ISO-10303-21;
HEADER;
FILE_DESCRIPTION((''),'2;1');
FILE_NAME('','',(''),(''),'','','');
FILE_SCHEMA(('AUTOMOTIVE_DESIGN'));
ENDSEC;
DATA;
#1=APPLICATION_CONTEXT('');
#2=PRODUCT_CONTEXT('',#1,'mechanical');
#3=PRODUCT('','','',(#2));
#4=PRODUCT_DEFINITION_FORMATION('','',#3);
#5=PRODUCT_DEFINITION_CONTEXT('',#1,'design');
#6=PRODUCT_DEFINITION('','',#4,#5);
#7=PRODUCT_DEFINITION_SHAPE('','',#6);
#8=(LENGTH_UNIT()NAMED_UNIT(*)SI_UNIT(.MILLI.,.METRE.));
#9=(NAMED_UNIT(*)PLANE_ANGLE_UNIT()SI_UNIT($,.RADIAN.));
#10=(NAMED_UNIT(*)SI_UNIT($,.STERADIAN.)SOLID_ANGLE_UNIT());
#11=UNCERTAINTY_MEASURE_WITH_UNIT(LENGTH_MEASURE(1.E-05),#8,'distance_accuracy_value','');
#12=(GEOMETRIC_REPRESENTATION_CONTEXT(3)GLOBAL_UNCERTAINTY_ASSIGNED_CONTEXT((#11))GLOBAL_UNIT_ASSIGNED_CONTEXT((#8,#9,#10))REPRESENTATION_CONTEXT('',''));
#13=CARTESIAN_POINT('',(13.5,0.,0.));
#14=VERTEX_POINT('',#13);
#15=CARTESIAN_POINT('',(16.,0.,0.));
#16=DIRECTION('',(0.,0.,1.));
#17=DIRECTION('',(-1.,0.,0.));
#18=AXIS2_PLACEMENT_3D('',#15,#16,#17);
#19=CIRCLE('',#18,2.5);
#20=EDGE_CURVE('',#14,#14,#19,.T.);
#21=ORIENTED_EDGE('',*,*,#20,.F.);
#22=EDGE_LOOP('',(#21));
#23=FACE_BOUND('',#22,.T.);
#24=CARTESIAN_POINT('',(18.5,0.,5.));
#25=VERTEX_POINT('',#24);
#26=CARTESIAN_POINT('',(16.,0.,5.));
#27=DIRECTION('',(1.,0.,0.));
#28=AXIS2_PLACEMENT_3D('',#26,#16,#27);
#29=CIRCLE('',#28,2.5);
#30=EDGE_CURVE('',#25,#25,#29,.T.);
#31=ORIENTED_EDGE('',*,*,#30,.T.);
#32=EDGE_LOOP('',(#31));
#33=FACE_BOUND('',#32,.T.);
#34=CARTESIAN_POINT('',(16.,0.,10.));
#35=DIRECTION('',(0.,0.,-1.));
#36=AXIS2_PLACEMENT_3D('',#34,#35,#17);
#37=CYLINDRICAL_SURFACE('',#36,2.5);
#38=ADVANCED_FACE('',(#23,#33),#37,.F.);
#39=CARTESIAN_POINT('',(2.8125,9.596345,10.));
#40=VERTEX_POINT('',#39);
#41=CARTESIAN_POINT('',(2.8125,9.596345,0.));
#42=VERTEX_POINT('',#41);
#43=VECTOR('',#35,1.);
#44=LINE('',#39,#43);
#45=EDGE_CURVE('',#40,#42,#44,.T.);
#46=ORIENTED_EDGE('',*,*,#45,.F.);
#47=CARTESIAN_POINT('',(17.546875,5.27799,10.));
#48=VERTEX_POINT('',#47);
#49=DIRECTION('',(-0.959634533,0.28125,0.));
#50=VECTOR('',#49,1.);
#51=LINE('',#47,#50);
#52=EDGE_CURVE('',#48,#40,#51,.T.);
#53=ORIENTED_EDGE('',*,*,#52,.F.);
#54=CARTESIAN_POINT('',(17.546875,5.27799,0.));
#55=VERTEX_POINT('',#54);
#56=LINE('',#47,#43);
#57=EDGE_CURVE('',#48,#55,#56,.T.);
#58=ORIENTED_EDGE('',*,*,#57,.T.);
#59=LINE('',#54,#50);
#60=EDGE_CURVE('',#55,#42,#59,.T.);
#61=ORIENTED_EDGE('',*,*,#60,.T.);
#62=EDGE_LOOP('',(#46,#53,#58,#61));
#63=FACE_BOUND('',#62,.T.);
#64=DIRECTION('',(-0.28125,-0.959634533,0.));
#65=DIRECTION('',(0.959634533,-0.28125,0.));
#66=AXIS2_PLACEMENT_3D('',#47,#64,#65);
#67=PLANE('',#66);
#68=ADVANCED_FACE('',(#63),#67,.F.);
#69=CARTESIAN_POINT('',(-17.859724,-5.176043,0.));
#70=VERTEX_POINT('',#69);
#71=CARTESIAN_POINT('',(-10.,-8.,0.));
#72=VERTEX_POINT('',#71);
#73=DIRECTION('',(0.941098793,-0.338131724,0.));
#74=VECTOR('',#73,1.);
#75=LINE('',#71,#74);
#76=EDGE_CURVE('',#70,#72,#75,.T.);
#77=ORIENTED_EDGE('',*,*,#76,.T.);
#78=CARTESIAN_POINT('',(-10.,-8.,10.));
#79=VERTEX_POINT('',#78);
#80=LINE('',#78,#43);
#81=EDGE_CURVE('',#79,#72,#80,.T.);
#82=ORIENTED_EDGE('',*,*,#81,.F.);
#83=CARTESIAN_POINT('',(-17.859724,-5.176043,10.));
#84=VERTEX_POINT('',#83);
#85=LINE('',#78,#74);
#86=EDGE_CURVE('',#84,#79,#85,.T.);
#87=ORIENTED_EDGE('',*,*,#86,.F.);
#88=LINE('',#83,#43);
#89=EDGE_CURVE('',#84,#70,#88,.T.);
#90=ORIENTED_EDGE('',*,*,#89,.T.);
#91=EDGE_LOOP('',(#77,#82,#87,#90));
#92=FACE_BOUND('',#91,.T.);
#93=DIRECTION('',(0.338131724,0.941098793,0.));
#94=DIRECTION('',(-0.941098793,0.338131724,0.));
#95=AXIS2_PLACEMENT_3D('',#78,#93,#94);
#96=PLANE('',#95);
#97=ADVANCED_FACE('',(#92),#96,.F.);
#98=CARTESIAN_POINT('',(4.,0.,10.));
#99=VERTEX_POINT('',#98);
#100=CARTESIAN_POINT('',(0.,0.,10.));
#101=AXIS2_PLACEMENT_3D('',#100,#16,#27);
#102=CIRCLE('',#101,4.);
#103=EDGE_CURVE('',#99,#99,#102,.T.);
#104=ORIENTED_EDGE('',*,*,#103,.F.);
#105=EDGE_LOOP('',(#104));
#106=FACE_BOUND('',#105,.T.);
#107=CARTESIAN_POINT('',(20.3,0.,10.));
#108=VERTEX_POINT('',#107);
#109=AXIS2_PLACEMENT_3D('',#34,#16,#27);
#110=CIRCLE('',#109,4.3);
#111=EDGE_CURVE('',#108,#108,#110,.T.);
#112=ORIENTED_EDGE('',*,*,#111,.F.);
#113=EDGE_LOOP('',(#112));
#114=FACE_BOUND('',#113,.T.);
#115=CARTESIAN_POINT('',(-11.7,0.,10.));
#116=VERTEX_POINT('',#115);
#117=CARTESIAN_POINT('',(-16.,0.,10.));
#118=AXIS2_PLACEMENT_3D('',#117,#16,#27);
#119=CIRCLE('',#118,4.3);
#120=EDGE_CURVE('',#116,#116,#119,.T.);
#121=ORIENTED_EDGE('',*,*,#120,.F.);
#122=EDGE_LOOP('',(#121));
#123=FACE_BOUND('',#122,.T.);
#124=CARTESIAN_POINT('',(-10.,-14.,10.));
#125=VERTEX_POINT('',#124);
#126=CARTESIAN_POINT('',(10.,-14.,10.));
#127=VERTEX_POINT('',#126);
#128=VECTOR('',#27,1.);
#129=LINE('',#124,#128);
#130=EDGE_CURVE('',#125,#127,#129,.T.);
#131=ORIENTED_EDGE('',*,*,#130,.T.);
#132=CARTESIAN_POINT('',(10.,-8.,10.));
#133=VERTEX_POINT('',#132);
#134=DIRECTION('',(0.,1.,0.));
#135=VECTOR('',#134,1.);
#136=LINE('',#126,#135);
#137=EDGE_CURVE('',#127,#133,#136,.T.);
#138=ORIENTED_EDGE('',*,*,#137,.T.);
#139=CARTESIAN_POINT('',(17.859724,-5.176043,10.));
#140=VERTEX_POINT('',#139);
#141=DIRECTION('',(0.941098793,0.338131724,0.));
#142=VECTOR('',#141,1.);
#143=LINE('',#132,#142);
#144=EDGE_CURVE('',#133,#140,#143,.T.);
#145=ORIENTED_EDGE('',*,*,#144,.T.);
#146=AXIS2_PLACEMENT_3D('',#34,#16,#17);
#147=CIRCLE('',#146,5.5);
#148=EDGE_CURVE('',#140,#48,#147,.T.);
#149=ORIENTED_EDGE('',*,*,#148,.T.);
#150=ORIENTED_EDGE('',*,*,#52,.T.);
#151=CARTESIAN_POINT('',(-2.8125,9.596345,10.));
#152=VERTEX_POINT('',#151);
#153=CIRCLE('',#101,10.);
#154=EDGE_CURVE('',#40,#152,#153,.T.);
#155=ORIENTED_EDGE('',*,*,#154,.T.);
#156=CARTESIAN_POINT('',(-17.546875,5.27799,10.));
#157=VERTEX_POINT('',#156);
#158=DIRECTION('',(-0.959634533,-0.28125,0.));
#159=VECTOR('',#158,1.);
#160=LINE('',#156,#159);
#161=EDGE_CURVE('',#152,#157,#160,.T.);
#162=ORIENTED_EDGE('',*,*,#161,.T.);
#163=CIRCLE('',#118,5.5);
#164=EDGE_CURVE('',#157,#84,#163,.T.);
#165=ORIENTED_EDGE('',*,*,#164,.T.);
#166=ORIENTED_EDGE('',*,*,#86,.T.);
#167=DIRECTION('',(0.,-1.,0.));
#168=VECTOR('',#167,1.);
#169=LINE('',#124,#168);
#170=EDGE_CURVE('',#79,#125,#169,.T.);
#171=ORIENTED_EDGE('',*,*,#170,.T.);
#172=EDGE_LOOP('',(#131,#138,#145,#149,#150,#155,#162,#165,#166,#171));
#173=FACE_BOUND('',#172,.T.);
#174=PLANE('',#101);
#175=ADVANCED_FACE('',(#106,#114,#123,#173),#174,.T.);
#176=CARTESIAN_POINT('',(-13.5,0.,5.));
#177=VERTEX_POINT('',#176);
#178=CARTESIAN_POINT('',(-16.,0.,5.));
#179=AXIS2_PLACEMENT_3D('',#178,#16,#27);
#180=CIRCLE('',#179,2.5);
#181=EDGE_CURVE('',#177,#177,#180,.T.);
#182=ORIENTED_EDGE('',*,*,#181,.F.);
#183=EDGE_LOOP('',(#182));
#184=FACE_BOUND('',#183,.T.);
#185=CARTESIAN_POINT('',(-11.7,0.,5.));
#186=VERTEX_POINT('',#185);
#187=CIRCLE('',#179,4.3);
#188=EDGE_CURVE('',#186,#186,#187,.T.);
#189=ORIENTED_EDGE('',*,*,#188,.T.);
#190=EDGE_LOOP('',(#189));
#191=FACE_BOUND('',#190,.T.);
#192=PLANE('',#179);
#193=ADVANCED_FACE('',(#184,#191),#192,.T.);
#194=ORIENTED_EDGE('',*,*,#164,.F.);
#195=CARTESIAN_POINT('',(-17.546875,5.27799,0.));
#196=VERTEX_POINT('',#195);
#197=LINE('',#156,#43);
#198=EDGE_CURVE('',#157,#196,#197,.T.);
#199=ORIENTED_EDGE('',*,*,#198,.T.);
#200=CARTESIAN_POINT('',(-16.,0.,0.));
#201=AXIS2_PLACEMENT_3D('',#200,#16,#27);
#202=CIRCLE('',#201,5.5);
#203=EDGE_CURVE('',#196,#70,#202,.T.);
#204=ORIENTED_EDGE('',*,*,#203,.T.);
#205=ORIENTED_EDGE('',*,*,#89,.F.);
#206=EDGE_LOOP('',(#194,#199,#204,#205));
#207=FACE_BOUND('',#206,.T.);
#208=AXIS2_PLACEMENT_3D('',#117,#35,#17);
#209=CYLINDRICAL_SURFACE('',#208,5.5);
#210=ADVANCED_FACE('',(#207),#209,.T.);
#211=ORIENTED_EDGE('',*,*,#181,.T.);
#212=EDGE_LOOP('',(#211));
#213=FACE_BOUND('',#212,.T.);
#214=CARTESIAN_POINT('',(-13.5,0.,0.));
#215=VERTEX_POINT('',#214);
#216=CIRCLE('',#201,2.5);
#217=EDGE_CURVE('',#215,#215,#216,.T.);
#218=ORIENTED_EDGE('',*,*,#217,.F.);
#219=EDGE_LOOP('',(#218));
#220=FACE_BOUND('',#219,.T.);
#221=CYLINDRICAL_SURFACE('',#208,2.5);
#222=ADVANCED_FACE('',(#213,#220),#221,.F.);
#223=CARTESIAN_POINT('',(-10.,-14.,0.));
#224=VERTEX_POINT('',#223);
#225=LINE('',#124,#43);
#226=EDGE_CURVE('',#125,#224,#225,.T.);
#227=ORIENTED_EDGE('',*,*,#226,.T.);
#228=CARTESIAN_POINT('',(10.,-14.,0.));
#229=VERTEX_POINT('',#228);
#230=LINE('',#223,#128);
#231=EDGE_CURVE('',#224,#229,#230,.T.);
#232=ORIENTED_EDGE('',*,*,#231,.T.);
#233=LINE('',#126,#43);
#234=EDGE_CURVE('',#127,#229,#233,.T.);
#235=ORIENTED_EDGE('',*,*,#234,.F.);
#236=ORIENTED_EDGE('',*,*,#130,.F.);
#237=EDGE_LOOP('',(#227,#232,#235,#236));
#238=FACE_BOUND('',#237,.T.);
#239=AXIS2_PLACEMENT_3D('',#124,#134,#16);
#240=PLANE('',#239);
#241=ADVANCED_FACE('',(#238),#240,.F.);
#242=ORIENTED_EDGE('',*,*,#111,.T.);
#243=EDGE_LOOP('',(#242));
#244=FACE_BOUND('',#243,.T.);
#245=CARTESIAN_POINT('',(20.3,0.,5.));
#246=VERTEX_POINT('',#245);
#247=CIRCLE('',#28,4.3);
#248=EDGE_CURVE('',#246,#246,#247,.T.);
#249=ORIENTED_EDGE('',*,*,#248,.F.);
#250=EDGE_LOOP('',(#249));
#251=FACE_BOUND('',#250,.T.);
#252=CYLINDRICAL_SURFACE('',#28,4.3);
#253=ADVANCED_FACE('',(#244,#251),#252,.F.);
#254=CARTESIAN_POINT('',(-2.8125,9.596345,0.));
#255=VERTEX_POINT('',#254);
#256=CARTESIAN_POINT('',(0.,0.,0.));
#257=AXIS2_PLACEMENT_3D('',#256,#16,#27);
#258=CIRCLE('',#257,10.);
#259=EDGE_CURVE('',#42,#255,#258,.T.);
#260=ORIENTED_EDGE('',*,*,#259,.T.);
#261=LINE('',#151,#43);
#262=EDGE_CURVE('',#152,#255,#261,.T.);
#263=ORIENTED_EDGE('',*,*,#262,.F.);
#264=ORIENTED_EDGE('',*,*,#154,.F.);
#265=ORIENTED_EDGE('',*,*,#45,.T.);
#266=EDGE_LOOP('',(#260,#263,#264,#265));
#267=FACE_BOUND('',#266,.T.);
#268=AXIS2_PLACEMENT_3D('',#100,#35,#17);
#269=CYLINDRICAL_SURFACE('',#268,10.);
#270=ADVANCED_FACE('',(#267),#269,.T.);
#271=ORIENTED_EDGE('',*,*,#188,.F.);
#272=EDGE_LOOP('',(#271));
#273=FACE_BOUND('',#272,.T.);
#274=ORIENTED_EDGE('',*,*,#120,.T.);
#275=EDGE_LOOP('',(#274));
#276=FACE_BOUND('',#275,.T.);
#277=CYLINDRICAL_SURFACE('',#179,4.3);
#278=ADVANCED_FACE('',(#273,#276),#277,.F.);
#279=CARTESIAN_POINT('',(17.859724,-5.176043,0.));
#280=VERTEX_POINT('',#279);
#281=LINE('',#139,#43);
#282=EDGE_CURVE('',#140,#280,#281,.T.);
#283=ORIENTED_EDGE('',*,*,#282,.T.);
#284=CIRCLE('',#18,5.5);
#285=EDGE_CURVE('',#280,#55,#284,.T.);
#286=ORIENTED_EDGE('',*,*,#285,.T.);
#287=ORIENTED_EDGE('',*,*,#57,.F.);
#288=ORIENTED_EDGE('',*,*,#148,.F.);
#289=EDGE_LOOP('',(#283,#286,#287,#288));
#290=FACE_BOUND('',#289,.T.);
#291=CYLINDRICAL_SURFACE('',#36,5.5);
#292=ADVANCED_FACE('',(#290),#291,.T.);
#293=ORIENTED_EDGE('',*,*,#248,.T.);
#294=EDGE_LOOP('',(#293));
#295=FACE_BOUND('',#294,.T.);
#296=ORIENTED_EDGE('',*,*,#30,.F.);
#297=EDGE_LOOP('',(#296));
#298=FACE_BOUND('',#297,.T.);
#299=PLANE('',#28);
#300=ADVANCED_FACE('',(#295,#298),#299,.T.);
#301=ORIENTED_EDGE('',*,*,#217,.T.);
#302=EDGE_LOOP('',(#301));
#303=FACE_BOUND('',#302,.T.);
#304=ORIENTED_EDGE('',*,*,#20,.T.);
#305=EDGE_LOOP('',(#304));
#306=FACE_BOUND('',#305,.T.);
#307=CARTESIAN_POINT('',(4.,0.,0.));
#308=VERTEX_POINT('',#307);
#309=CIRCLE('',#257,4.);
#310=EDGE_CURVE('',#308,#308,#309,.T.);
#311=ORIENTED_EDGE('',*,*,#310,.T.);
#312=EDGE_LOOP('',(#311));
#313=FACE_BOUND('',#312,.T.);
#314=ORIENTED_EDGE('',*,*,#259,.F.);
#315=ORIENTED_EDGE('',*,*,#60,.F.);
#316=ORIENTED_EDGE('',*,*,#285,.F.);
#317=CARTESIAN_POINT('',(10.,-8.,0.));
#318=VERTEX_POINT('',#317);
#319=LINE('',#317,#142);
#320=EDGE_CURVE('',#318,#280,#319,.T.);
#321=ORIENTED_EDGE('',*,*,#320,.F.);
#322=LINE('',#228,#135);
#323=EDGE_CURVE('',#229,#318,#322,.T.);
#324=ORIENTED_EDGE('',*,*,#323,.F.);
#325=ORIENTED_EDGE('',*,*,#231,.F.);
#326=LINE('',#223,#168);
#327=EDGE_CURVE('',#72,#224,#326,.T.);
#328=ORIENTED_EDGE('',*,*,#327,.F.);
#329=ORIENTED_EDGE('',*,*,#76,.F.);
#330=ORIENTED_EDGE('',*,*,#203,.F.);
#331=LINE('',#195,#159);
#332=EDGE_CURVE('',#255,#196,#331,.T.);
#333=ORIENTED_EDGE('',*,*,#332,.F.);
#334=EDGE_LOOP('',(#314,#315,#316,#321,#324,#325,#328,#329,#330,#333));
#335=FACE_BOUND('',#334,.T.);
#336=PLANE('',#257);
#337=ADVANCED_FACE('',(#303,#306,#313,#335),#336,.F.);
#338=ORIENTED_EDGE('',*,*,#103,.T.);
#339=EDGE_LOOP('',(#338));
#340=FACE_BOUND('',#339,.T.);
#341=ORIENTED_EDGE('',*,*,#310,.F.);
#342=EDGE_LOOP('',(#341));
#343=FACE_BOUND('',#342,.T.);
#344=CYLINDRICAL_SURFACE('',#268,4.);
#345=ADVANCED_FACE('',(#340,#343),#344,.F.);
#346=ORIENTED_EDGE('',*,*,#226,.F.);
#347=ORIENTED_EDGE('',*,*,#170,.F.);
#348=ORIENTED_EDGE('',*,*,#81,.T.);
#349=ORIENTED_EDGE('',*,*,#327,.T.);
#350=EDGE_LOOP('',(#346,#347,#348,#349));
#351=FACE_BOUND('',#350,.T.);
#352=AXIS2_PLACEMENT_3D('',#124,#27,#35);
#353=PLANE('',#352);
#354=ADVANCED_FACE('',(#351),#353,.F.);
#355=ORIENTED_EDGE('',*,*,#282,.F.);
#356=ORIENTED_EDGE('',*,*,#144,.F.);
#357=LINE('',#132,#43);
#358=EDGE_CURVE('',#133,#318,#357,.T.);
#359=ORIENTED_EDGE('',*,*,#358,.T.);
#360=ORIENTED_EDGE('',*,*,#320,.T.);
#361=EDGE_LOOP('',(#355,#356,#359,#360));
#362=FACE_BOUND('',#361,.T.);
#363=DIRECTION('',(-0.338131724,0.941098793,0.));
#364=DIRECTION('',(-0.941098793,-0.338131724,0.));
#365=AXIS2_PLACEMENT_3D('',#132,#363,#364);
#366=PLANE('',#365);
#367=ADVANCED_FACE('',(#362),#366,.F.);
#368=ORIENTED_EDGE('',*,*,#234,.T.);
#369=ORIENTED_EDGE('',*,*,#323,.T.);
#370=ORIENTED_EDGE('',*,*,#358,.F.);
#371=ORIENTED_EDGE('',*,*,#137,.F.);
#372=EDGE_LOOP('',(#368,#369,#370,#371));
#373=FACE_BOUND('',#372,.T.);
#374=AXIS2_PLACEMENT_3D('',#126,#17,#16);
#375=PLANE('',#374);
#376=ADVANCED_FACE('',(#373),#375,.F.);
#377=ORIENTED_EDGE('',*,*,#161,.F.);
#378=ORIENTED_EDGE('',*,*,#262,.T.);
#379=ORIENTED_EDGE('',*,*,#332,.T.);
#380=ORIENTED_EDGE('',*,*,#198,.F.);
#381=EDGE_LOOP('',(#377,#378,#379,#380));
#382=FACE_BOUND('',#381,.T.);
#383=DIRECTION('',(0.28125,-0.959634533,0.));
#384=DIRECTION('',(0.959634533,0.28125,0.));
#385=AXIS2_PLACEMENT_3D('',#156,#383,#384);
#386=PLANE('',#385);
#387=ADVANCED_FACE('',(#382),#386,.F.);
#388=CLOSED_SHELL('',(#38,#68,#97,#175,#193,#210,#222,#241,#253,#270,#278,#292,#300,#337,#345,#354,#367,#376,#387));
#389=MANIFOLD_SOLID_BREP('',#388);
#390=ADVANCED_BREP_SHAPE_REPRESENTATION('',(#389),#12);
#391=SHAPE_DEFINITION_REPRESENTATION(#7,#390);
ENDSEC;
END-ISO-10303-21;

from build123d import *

# Parameters (mm, degrees)
SKETCH_1_R          = 4
SKETCH_1_R_2        = 2.5
EXTRUDE_1_DEPTH     = 10
SKETCH_2_R          = 4.3
CUT_EXTRUDE_1_DEPTH = 5


with BuildPart() as part:
    # 草图1 → 凸台-拉伸1 (new body)
    with BuildSketch(Plane.XY):
        with BuildLine():
            Line((-10, -14), (-10, -8))
            Line((-10, -8), (-17.859724479, -5.17604336))
            ThreePointArc((-17.859724479, -5.17604336), (-21.497538815, 0.16452044), (-17.546875, 5.277989933))
            Line((-17.546875, 5.277989933), (-2.8125, 9.596345333))
            ThreePointArc((-2.8125, 9.596345333), (0, 10), (2.8125, 9.596345333))
            Line((2.8125, 9.596345333), (17.546875, 5.277989933))
            ThreePointArc((17.546875, 5.277989933), (21.497538815, 0.16452044), (17.859724479, -5.17604336))
            Line((17.859724479, -5.17604336), (10, -8))
            Line((10, -8), (10, -14))
            Line((10, -14), (-10, -14))
        make_face()
        Circle(SKETCH_1_R, mode=Mode.SUBTRACT)
        with Locations((-16, 0)):
            Circle(SKETCH_1_R_2, mode=Mode.SUBTRACT)
        with Locations(Location((16, 0, 0), (0, 0, 180))):
            Circle(SKETCH_1_R_2, mode=Mode.SUBTRACT)
    extrude(amount=EXTRUDE_1_DEPTH)

    # 草图2 → 切除-拉伸1 (cut)
    with BuildSketch(Plane.XY.offset(10)):
        with Locations((-16, 0)):
            Circle(SKETCH_2_R)
        with Locations((16, 0)):
            Circle(SKETCH_2_R)
    extrude(amount=-CUT_EXTRUDE_1_DEPTH, mode=Mode.SUBTRACT)


solid = part.part
